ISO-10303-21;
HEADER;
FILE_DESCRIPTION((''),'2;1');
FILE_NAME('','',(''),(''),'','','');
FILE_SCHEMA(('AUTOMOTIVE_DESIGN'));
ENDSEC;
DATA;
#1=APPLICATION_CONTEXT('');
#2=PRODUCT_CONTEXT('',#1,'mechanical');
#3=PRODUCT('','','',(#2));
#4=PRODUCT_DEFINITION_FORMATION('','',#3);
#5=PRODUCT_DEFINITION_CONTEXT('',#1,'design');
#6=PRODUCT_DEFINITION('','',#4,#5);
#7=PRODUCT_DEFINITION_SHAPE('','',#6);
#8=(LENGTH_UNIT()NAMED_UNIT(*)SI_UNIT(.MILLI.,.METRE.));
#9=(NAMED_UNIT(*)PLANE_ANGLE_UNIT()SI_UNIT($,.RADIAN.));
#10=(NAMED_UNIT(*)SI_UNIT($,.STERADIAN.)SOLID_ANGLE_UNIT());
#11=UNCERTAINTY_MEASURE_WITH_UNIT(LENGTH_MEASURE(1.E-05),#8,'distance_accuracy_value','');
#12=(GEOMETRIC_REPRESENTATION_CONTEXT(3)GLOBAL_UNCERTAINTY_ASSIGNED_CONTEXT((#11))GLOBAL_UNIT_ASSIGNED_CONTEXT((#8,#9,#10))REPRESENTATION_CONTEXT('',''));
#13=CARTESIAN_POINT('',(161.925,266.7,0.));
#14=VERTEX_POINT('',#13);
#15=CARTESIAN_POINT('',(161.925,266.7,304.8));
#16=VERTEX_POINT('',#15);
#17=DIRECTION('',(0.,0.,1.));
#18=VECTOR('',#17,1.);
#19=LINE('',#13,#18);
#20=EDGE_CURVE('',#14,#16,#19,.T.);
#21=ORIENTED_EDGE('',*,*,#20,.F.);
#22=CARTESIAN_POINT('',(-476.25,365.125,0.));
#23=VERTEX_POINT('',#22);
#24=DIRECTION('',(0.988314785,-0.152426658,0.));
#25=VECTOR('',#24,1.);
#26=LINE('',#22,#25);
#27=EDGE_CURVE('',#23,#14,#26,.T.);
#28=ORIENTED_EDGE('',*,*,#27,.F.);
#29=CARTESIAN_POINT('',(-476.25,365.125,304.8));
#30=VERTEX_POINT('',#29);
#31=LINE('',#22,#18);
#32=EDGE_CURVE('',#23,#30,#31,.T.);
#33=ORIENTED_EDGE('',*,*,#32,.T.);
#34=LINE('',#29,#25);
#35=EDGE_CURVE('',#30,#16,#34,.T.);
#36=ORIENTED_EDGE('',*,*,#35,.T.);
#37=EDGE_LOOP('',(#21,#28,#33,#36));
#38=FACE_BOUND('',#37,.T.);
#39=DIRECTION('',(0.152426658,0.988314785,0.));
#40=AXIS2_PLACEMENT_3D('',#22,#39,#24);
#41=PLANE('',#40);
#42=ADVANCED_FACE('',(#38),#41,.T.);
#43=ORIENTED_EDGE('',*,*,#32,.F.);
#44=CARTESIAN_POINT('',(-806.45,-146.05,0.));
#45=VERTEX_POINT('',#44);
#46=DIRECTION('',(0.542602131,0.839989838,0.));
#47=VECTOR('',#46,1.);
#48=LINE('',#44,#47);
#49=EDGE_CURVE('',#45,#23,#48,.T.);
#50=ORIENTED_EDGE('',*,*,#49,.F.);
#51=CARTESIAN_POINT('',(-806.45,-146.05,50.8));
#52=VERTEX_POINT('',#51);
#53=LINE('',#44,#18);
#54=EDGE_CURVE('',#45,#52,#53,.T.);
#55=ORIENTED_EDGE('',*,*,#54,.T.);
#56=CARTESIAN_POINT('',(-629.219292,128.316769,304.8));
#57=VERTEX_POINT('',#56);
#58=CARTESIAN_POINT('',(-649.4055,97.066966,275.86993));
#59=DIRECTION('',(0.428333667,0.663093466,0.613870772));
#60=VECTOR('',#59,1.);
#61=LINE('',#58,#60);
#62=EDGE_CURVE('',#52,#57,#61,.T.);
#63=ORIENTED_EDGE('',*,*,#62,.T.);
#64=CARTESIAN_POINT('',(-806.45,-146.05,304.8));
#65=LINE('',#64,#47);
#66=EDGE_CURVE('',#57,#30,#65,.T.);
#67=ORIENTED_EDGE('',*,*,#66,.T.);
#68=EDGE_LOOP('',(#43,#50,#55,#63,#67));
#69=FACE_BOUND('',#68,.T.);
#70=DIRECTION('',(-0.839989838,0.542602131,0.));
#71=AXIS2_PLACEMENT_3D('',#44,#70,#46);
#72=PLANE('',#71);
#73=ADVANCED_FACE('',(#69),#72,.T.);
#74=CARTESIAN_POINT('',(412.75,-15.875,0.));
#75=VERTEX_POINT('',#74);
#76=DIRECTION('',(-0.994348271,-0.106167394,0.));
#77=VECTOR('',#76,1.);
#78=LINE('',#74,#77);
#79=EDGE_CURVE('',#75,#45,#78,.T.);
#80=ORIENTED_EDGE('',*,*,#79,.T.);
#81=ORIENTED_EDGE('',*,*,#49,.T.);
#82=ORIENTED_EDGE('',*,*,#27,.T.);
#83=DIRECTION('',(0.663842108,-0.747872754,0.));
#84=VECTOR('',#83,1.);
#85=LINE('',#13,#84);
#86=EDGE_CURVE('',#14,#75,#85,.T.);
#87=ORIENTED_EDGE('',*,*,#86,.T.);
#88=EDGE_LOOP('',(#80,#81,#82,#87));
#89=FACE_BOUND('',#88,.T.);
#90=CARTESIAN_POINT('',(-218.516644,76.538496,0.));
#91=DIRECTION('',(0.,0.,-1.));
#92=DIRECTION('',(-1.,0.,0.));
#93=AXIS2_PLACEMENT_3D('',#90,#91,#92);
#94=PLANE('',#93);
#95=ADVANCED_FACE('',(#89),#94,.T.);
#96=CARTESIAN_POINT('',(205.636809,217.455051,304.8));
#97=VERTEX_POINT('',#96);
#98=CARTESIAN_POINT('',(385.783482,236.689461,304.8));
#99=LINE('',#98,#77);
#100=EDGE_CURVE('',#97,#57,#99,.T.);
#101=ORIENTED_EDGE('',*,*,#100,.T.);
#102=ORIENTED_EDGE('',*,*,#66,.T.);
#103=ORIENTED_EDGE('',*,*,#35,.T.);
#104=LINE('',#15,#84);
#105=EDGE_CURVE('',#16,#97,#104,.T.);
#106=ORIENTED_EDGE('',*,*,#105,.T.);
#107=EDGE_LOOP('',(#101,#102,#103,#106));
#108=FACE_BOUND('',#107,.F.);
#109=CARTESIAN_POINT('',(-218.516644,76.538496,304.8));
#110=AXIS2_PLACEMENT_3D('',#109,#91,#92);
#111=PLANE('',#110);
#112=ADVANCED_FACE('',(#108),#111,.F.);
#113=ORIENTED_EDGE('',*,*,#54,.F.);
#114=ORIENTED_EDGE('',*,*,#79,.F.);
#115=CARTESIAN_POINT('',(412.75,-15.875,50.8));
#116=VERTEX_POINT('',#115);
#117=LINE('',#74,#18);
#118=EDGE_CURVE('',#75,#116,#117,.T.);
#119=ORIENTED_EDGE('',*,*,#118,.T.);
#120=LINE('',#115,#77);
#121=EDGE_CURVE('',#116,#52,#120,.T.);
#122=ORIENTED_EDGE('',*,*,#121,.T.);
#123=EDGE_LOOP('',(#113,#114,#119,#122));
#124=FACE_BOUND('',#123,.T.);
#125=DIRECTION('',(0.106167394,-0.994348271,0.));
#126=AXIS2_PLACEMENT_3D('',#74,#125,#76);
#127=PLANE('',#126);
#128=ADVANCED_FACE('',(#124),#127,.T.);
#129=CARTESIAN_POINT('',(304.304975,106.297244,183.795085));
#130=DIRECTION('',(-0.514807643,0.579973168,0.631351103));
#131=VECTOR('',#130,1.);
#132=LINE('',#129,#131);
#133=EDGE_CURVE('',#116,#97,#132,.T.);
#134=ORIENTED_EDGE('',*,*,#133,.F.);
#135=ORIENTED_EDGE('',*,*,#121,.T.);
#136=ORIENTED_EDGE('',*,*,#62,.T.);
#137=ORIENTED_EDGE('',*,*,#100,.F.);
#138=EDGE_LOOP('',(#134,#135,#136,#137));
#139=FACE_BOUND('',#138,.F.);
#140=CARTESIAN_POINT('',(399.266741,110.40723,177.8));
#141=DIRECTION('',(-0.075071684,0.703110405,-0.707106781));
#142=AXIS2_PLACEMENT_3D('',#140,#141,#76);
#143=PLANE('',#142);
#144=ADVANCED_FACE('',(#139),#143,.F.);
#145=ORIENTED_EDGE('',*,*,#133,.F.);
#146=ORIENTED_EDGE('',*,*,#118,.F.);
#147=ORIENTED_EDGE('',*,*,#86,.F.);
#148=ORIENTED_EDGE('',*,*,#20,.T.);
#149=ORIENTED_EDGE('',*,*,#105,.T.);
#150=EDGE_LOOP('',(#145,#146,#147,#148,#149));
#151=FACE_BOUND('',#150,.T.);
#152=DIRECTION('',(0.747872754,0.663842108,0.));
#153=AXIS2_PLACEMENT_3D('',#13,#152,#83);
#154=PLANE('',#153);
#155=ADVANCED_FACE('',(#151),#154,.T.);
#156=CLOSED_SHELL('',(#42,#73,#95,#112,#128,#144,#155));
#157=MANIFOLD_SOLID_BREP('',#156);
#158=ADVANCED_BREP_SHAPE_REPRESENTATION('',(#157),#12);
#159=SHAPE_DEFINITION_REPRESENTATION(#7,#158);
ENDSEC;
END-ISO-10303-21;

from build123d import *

# Parameters (mm, degrees)
PAD_DEPTH    = 304.8
CHAMFER_SIZE = 254


with BuildPart() as part:
    # Sketch → Pad (new body)
    with BuildSketch(Plane.XY):
        Polygon((-806.45, -146.05), (-476.25, 365.125), (161.925, 266.7), (412.75, -15.875), align=None)
    extrude(amount=PAD_DEPTH)

    # Chamfer
    chamfer_edges = [part.edges().sort_by_distance(p)[0] for p in [
        (-196.85, -80.9625, 304.8),
    ]]
    chamfer(chamfer_edges, length=CHAMFER_SIZE)


solid = part.part
